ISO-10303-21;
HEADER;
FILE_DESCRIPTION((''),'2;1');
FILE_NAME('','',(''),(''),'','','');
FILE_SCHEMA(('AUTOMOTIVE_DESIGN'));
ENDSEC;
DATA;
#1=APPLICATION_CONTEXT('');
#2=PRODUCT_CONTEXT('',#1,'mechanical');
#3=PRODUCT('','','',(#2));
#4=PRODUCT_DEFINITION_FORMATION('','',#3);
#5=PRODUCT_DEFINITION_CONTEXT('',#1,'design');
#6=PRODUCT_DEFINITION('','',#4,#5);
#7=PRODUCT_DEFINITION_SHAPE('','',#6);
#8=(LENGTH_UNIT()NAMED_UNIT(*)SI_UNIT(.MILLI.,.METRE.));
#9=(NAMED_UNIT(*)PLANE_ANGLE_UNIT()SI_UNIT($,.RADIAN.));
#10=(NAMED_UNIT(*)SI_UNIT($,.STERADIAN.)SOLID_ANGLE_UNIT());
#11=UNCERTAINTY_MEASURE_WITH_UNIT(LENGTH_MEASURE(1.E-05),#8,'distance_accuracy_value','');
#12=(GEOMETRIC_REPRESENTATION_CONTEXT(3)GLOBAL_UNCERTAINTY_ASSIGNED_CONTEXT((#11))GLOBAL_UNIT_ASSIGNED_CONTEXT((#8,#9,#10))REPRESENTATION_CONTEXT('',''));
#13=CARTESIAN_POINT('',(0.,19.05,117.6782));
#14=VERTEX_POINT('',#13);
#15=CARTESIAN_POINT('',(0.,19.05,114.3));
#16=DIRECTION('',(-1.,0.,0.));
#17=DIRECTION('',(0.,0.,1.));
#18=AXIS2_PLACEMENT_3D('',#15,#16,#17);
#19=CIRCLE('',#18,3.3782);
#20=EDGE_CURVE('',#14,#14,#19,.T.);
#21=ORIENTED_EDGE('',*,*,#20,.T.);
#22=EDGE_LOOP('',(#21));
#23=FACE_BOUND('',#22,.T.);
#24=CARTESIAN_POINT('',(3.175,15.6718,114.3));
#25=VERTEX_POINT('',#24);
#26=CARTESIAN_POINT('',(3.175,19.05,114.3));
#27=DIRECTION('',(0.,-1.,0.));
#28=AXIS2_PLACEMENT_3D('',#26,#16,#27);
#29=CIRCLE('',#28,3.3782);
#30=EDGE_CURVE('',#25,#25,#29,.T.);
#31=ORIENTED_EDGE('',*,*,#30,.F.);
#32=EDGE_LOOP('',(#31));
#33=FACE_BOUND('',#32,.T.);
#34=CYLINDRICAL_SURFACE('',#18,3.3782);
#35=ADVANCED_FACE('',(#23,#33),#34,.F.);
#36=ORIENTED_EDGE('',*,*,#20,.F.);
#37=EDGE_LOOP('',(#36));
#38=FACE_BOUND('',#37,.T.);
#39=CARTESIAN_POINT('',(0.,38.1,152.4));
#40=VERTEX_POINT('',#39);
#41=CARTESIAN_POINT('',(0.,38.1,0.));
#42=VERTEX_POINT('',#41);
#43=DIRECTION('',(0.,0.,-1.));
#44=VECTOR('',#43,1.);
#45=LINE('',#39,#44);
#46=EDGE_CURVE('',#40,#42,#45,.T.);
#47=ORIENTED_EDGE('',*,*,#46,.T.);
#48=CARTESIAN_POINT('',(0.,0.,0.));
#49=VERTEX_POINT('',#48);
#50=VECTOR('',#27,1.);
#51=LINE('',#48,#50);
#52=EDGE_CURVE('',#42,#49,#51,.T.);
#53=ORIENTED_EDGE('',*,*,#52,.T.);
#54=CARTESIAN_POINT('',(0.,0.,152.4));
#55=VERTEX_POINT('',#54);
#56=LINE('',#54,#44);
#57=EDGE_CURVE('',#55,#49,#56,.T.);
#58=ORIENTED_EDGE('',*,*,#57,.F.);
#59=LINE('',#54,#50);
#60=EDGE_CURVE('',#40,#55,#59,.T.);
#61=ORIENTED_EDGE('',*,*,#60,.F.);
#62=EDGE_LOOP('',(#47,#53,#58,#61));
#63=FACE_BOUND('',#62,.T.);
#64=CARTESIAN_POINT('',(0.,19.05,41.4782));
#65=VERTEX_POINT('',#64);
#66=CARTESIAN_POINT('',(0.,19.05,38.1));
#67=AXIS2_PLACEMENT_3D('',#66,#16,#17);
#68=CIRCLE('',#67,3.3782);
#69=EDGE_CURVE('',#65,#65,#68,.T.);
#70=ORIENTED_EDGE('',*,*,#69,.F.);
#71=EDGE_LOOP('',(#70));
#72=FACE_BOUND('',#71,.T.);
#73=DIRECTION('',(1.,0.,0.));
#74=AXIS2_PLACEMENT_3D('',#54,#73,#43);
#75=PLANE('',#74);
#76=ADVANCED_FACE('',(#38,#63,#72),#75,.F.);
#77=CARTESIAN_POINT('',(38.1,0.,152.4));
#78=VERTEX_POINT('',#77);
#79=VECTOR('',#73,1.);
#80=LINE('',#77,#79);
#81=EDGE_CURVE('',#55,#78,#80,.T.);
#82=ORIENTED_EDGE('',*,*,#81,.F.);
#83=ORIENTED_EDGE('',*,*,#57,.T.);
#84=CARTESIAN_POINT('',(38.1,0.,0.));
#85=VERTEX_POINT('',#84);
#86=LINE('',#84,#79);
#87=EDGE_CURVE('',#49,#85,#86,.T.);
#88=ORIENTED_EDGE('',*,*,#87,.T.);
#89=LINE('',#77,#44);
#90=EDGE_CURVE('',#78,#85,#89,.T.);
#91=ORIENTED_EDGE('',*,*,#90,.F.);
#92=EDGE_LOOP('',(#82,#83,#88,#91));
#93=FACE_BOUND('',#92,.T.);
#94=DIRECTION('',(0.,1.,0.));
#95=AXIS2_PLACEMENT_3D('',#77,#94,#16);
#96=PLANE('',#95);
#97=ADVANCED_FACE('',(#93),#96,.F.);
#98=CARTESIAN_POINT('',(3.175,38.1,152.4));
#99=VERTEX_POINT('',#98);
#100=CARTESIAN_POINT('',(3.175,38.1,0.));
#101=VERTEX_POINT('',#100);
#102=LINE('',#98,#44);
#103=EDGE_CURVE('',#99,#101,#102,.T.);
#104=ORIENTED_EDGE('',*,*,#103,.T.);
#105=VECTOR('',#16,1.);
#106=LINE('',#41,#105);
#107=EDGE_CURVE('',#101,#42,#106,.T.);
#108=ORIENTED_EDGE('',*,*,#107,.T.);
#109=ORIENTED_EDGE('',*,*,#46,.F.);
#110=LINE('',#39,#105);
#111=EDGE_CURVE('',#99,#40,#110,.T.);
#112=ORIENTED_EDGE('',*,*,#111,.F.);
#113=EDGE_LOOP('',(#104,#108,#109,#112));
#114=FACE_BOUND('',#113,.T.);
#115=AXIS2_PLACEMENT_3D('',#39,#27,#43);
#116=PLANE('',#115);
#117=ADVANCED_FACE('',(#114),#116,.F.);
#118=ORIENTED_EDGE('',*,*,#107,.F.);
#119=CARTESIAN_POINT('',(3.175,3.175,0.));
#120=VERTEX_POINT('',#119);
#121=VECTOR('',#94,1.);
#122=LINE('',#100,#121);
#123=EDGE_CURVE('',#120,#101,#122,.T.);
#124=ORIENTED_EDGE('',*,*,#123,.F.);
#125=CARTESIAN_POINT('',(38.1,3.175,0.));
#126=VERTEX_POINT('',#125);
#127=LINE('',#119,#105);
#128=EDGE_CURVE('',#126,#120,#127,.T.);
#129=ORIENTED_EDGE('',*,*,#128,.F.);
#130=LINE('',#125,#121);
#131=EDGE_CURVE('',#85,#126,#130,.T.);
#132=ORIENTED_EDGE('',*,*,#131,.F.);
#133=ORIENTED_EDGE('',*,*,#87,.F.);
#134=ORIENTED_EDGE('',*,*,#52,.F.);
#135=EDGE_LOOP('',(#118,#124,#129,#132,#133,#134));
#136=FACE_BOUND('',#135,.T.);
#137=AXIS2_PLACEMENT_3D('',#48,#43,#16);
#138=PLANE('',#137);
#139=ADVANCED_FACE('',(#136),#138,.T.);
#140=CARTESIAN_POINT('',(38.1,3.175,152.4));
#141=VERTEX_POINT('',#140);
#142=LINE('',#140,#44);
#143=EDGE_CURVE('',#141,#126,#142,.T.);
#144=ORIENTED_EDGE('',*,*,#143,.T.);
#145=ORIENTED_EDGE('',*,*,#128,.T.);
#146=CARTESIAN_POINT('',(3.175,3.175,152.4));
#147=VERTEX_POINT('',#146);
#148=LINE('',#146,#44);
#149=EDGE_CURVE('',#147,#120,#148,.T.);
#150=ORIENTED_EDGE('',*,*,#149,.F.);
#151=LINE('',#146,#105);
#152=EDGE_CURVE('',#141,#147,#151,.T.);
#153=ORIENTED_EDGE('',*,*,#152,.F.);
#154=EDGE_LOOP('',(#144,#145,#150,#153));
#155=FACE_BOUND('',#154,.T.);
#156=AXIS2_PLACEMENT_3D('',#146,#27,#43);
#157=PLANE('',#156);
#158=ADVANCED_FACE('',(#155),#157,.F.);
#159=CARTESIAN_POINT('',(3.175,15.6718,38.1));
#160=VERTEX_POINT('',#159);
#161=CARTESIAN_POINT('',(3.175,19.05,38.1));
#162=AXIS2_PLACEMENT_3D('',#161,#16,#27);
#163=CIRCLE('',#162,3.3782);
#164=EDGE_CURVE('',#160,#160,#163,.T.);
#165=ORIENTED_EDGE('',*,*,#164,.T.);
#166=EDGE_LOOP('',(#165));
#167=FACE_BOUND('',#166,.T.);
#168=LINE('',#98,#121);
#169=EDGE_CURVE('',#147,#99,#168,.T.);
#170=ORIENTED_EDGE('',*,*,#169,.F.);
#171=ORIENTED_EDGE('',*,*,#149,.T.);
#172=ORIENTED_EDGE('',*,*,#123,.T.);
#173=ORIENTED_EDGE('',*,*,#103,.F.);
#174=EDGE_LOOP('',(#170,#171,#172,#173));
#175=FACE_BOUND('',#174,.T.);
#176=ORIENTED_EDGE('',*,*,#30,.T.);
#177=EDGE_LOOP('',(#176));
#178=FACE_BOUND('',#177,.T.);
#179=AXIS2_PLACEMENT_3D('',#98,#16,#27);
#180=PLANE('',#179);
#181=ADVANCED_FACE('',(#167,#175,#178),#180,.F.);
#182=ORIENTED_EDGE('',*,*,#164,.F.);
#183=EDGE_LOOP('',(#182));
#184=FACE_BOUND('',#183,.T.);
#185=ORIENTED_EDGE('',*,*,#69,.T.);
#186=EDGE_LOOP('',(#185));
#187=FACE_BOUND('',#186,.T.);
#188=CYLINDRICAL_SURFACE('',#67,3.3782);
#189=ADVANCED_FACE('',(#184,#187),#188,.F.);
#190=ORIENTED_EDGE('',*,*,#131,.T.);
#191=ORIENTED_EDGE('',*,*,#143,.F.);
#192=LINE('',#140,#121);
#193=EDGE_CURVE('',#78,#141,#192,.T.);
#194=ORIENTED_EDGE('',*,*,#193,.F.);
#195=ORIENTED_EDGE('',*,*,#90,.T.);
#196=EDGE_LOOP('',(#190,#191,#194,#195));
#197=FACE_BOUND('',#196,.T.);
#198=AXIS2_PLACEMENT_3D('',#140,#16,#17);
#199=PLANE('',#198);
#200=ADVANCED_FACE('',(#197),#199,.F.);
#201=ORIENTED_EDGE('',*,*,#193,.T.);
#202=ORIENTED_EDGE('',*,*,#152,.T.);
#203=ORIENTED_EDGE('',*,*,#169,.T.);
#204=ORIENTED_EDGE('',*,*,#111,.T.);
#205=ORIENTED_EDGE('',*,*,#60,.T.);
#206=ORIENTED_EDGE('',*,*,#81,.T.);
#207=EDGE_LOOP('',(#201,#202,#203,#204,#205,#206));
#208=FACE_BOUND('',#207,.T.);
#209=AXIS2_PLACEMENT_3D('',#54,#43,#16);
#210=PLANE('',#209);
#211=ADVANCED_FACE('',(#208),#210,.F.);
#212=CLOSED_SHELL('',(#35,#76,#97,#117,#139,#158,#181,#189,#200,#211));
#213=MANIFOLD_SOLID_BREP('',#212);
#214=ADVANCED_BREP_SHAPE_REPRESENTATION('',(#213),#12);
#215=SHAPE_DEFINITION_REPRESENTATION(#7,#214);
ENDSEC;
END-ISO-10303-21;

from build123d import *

# Parameters (mm, degrees)
BOSS_EXTRUDE1_DEPTH     = 152.4
F_1_4_CLEARANCE_HOLE1_D = 6.7564


with BuildPart() as part:
    # Sketch1 → Boss-Extrude1 (new body)
    with BuildSketch(Plane.XY):
        Polygon((0, 0), (0, 38.1), (3.175, 38.1), (3.175, 3.175), (38.1, 3.175), (38.1, 0), align=None)
    extrude(amount=BOSS_EXTRUDE1_DEPTH)

    # 1/4 Clearance Hole1 (through all)
    with Locations(Plane.ZY):
        with Locations((38.1, 19.05), (114.3, 19.05)):
            Hole(F_1_4_CLEARANCE_HOLE1_D / 2)


solid = part.part
